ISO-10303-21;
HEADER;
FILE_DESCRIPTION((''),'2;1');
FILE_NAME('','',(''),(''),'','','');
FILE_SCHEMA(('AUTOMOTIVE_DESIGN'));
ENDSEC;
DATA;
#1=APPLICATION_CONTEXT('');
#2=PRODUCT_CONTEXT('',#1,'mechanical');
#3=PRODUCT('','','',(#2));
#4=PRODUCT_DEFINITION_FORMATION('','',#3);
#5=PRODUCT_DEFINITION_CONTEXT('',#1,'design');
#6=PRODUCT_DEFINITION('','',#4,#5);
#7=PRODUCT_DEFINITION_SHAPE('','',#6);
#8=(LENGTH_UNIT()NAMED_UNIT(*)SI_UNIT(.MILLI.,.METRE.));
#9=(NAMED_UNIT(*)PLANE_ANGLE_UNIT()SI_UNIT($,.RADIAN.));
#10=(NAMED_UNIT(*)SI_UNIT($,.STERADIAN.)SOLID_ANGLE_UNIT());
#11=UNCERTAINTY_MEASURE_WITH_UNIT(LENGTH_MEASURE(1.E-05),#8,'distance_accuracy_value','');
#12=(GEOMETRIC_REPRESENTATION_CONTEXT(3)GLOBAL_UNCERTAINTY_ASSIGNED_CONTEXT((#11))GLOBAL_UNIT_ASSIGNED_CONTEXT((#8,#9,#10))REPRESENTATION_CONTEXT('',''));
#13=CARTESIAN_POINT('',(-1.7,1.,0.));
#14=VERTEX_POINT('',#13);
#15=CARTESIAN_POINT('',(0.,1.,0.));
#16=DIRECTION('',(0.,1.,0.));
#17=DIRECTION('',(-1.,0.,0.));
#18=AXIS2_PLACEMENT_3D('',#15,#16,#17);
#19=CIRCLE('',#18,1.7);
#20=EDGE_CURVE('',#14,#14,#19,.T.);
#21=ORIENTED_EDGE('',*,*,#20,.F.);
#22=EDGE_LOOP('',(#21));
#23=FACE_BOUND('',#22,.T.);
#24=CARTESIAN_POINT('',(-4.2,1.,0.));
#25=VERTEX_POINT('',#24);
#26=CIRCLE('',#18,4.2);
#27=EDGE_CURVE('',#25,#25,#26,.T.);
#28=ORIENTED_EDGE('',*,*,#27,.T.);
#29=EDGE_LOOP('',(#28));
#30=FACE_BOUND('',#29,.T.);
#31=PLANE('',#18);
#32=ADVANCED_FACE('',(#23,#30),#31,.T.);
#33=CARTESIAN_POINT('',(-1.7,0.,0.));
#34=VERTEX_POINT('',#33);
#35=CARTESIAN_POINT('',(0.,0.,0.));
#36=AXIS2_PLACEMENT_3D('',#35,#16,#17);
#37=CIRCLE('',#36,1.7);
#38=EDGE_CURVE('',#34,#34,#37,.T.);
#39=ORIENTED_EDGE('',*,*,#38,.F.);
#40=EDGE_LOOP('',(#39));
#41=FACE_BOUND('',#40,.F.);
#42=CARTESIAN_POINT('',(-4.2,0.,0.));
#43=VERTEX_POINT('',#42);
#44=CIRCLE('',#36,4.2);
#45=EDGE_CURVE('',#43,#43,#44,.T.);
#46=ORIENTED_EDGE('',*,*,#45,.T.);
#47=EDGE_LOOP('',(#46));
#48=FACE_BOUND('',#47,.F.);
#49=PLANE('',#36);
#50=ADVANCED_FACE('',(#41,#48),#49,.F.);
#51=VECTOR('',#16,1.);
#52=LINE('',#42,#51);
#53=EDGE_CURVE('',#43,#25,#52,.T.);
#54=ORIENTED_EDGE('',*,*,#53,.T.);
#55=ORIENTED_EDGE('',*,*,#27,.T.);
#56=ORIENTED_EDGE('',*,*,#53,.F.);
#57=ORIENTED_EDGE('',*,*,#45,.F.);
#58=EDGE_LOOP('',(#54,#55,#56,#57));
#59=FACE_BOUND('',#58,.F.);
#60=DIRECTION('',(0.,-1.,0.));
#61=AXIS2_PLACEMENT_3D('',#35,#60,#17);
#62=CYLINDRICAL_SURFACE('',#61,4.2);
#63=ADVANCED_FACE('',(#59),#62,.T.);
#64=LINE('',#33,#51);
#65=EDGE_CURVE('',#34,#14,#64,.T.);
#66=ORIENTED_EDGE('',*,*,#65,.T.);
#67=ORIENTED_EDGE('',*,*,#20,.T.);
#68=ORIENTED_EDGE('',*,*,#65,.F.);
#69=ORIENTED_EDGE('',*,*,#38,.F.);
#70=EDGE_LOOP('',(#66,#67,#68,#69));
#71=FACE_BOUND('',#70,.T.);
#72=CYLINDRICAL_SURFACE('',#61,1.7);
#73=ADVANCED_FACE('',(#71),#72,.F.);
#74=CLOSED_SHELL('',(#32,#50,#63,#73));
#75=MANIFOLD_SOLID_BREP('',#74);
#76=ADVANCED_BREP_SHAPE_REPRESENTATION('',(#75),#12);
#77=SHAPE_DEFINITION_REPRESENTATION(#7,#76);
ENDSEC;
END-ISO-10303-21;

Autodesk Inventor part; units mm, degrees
ref_plane "YZ Plane" through (0, 0, 0) normal (1, 0, 0) x (0, 1, 0)
ref_plane "XZ Plane" through (0, 0, 0) normal (0, 1, 0) x (-1, 0, 0)
ref_plane "XY Plane" through (0, 0, 0) normal (0, 0, 1) x (1, 0, 0)
sketch "Sketch1" plane through (0, 0, 0) normal (0, 1, 0) x (-1, 0, 0)
  circle A0 centre (0, 0) radius 1.7
  circle A1 centre (0, 0) radius 4.2
  dimension "d0" = 3.4
  dimension "d1" = 2.5
extrude "Extrusion1" add sketch "Sketch1" along normal blind 1
equation "\"d0\" = m3_clearance"
equation "\"m3_heat_set_insert\" = 4"
equation "\"m3_clearance\" = 3.4"
equation "\"m3_heat_set_depth\" = 7"
equation "\"robot_diameter\" = 354"
equation "\"hardboard_thickness\" = 5"
equation "\"motor_centerline_height\" = 13"
properties part number "caster_spacer_1mm"
